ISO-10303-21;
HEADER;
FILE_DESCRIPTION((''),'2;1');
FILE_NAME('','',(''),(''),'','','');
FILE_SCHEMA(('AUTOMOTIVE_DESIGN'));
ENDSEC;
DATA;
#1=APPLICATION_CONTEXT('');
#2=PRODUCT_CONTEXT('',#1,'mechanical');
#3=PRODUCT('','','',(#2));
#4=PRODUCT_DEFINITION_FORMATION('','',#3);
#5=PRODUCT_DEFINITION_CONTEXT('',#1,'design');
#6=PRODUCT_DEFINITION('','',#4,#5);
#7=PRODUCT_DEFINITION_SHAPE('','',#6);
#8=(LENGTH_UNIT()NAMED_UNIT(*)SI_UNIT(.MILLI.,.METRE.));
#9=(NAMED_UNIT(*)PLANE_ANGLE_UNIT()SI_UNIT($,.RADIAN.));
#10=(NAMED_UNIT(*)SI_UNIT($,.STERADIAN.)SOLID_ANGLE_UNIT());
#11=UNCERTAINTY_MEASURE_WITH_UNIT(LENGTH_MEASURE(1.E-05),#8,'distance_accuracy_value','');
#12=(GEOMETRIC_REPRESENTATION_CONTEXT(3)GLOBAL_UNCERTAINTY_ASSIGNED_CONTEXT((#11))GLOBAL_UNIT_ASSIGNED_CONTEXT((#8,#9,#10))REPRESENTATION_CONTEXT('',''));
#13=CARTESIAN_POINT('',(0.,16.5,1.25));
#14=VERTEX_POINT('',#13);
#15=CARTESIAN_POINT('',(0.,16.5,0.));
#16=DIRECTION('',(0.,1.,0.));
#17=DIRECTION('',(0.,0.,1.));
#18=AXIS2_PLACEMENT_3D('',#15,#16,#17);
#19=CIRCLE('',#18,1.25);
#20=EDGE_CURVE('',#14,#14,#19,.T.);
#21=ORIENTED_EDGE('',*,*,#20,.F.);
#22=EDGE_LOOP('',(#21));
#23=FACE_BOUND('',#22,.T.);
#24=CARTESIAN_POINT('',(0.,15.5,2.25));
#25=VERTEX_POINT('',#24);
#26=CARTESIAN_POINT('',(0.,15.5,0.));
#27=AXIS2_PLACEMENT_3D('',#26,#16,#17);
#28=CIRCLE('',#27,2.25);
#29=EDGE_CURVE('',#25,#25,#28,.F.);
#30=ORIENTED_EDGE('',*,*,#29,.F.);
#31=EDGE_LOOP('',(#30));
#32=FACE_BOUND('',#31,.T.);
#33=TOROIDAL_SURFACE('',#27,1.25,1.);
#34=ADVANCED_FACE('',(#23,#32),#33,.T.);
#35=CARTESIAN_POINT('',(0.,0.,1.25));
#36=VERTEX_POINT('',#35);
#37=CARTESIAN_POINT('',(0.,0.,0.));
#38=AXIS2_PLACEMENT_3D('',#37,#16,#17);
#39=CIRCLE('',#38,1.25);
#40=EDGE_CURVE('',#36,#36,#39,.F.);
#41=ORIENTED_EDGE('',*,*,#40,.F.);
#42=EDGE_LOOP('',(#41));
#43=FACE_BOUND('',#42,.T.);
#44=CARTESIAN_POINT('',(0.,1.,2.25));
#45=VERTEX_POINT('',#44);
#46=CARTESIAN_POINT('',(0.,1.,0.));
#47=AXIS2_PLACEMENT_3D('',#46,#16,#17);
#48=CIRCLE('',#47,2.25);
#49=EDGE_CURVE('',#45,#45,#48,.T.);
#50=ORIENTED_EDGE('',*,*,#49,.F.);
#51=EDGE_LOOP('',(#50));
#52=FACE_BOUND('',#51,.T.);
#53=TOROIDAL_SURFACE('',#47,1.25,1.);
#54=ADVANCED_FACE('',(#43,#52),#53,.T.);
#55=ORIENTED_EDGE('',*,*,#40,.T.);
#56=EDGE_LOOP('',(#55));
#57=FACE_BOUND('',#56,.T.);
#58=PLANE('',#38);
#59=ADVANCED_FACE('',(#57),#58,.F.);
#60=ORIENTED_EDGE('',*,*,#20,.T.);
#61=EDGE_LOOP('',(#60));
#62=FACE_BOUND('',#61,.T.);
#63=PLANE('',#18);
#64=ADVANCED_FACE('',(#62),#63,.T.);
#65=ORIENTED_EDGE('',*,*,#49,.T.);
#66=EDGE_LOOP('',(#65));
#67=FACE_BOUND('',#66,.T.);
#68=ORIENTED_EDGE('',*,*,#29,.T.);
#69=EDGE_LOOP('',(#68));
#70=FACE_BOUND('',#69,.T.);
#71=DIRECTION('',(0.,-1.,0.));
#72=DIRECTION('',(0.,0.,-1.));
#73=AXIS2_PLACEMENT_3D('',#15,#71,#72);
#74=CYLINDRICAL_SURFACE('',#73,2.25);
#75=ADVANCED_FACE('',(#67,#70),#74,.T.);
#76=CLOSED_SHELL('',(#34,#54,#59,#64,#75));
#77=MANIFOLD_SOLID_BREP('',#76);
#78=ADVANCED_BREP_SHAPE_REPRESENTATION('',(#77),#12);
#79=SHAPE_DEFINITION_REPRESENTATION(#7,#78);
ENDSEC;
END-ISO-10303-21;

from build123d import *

# Parameters (mm, degrees)
SKETCH1_R           = 2.25
BOSS_EXTRUDE1_DEPTH = 16.5
FILLET2_R           = 1


with BuildPart() as part:
    # Sketch1 → Boss-Extrude1 (new body)
    with BuildSketch(Plane(origin=(0, 0, 0), x_dir=(1, 0, 0), z_dir=(0, 1, 0))):
        Circle(SKETCH1_R)
    extrude(amount=BOSS_EXTRUDE1_DEPTH)

    # Fillet2
    fillet2_edges = [part.edges().sort_by_distance(p)[0] for p in [
        (-2.25, 0, 0),
        (-2.25, 16.5, 0),
    ]]
    fillet(fillet2_edges, radius=FILLET2_R)


solid = part.part
